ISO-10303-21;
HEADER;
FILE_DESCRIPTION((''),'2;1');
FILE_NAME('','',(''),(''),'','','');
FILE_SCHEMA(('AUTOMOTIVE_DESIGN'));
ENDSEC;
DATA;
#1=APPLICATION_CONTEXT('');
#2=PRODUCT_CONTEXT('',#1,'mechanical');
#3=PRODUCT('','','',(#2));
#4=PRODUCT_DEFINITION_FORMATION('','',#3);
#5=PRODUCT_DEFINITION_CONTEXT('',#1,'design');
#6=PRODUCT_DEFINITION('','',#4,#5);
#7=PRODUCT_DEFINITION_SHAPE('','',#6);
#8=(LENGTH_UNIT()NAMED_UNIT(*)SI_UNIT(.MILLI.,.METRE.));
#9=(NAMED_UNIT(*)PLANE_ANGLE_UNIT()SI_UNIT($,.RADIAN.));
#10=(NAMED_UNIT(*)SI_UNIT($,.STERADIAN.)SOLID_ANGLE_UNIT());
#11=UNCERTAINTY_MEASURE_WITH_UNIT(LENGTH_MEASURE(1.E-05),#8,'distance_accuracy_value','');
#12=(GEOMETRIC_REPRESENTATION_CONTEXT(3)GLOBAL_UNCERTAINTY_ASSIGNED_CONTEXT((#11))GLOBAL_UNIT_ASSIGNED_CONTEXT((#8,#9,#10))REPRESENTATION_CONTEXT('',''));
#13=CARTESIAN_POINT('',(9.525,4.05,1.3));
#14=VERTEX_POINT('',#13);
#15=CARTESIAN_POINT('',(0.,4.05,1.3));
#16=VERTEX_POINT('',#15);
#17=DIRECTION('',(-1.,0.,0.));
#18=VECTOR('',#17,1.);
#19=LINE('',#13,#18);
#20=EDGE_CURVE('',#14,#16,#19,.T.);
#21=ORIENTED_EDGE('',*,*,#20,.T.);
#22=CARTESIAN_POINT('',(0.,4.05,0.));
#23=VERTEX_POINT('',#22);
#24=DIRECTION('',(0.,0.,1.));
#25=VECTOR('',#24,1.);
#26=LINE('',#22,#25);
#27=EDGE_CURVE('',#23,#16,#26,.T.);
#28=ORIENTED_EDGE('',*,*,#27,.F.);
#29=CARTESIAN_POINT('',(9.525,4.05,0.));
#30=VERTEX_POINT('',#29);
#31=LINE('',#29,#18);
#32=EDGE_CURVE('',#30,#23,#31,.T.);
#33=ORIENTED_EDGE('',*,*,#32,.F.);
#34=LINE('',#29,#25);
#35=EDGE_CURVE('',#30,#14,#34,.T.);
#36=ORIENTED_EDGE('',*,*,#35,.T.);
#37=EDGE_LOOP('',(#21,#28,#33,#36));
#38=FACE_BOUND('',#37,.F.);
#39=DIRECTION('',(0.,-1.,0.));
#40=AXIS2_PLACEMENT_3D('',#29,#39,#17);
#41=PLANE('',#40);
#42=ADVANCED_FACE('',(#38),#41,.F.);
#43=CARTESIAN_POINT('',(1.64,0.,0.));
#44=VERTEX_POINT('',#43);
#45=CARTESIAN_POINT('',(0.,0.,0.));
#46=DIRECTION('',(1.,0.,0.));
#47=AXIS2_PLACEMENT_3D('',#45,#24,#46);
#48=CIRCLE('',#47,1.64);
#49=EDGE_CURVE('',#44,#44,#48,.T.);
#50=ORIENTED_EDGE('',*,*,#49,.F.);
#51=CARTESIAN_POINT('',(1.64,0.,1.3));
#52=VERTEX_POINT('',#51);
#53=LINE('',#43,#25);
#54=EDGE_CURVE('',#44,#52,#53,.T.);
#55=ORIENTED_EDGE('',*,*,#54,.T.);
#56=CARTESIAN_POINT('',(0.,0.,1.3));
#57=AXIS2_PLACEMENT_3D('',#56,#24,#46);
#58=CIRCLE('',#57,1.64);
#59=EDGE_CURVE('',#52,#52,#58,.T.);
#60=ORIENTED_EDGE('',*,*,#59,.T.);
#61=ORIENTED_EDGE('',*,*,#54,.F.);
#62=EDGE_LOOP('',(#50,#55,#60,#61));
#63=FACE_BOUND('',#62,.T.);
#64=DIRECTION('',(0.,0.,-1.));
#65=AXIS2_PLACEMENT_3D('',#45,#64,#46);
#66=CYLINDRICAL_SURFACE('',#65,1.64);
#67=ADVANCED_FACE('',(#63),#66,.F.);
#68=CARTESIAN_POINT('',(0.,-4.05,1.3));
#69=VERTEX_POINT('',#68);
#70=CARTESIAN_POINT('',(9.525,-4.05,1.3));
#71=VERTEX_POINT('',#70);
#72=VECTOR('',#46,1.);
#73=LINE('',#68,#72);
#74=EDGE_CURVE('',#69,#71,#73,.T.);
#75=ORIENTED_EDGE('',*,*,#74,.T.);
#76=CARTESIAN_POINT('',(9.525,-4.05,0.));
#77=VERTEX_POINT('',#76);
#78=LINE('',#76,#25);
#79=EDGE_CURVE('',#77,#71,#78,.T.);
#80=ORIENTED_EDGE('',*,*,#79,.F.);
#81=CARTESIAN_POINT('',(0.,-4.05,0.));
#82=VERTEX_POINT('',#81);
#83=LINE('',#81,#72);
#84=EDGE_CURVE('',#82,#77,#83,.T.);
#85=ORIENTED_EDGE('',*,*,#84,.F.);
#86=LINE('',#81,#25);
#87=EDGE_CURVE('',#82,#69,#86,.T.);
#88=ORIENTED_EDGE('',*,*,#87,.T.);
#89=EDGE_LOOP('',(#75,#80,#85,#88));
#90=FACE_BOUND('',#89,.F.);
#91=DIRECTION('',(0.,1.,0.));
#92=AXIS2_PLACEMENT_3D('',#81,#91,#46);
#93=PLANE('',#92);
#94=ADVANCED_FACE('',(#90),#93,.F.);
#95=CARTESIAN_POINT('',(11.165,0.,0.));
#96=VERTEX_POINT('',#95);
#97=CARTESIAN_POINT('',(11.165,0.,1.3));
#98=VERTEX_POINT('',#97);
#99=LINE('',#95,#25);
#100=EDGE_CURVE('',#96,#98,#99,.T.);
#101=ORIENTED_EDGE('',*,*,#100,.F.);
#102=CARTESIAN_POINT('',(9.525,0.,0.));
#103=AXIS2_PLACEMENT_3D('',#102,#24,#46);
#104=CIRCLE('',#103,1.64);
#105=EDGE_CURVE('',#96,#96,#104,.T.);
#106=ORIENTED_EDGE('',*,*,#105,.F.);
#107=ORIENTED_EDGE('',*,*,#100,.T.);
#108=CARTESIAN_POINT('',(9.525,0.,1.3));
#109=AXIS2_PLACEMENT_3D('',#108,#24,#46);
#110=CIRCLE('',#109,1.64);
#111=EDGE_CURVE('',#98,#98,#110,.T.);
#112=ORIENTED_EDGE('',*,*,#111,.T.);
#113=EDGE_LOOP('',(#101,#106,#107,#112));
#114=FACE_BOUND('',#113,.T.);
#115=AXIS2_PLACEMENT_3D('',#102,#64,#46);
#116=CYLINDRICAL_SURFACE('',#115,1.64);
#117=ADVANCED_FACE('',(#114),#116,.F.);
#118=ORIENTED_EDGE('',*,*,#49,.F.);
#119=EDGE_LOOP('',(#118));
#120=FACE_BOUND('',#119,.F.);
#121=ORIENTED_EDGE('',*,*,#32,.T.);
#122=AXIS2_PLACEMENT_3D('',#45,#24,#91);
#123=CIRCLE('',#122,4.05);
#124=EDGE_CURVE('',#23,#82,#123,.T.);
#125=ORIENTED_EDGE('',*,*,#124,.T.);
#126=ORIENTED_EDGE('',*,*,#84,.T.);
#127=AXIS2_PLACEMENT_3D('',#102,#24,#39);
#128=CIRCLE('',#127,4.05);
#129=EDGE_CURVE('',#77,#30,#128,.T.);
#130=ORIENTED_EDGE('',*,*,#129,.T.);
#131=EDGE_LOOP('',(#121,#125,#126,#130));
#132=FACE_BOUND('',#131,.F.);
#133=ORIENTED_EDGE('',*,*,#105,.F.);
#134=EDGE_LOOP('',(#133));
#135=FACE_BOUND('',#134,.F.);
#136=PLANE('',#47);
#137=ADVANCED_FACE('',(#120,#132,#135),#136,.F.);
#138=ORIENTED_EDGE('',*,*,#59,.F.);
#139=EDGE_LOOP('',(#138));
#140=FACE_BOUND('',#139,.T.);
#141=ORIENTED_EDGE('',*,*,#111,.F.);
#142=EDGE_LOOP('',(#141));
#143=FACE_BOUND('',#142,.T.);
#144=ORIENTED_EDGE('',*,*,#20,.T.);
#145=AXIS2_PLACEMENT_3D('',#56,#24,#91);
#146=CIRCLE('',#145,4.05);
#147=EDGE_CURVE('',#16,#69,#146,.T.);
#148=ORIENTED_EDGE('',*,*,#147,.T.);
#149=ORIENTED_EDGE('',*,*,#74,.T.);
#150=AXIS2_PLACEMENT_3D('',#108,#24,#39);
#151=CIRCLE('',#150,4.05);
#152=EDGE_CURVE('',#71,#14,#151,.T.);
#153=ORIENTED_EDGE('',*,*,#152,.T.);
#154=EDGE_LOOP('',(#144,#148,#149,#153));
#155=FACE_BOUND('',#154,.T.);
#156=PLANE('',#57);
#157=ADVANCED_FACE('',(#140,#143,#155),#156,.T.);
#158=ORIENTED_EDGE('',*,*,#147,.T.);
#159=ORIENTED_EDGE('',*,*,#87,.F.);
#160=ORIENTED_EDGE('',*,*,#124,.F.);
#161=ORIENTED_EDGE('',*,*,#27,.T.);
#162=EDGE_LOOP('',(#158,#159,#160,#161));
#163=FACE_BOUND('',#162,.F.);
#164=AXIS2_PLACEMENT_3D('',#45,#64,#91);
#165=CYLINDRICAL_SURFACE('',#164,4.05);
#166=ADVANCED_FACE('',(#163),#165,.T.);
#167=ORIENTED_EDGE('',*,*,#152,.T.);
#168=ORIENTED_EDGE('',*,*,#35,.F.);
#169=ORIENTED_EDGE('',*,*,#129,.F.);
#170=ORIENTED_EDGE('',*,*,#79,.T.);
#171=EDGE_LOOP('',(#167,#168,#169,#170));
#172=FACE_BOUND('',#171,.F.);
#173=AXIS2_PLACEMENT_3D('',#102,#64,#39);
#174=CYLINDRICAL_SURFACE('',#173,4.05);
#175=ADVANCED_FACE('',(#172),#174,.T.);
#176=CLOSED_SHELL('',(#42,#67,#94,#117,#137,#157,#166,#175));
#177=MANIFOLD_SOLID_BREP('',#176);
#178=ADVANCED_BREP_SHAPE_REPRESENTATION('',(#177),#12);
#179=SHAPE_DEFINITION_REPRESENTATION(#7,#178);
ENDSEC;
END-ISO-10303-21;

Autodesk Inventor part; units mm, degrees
sketch "Sketch_4" plane through (0, 0, 0) normal (0, 0, 1) x (1, 0, 0)
  arc A0 (0, 4.05) -> (0, -4.05) centre (0, 0) ccw
  line L0 (0, -4.05) -> (9.525, -4.05)
  arc A1 (9.525, -4.05) -> (9.525, 4.05) centre (9.525, 0) ccw
  line L1 (9.525, 4.05) -> (0, 4.05)
  circle A2 centre (9.525, 0) radius 1.64
  circle A3 centre (0, 0) radius 1.64
extrude "Extrusion1" add sketch "Sketch_4" along normal blind 1.3
ref_plane "link_plate_XY" through (0, 0, -4.16) normal (0, 0, 1) x (1, 0, 0)
ref_plane "link_plate_YZ" through (0, 0, -4.16) normal (1, 0, 0) x (0, 1, 0)
ref_plane "link_plate_ZX" through (0, 0, -4.16) normal (0, 1, 0) x (0, 0, 1)
ref_plane "link_plate_b_XY" through (9.525, 0, -4.16) normal (0, 0, 1) x (1, 0, 0)
ref_plane "link_plate_b_YZ" through (9.525, 0, -4.16) normal (1, 0, 0) x (0, 1, 0)
ref_plane "link_plate_b_ZX" through (9.525, 0, -4.16) normal (0, 1, 0) x (0, 0, 1)
properties part number "06B - 1 RP- Link Plate"
